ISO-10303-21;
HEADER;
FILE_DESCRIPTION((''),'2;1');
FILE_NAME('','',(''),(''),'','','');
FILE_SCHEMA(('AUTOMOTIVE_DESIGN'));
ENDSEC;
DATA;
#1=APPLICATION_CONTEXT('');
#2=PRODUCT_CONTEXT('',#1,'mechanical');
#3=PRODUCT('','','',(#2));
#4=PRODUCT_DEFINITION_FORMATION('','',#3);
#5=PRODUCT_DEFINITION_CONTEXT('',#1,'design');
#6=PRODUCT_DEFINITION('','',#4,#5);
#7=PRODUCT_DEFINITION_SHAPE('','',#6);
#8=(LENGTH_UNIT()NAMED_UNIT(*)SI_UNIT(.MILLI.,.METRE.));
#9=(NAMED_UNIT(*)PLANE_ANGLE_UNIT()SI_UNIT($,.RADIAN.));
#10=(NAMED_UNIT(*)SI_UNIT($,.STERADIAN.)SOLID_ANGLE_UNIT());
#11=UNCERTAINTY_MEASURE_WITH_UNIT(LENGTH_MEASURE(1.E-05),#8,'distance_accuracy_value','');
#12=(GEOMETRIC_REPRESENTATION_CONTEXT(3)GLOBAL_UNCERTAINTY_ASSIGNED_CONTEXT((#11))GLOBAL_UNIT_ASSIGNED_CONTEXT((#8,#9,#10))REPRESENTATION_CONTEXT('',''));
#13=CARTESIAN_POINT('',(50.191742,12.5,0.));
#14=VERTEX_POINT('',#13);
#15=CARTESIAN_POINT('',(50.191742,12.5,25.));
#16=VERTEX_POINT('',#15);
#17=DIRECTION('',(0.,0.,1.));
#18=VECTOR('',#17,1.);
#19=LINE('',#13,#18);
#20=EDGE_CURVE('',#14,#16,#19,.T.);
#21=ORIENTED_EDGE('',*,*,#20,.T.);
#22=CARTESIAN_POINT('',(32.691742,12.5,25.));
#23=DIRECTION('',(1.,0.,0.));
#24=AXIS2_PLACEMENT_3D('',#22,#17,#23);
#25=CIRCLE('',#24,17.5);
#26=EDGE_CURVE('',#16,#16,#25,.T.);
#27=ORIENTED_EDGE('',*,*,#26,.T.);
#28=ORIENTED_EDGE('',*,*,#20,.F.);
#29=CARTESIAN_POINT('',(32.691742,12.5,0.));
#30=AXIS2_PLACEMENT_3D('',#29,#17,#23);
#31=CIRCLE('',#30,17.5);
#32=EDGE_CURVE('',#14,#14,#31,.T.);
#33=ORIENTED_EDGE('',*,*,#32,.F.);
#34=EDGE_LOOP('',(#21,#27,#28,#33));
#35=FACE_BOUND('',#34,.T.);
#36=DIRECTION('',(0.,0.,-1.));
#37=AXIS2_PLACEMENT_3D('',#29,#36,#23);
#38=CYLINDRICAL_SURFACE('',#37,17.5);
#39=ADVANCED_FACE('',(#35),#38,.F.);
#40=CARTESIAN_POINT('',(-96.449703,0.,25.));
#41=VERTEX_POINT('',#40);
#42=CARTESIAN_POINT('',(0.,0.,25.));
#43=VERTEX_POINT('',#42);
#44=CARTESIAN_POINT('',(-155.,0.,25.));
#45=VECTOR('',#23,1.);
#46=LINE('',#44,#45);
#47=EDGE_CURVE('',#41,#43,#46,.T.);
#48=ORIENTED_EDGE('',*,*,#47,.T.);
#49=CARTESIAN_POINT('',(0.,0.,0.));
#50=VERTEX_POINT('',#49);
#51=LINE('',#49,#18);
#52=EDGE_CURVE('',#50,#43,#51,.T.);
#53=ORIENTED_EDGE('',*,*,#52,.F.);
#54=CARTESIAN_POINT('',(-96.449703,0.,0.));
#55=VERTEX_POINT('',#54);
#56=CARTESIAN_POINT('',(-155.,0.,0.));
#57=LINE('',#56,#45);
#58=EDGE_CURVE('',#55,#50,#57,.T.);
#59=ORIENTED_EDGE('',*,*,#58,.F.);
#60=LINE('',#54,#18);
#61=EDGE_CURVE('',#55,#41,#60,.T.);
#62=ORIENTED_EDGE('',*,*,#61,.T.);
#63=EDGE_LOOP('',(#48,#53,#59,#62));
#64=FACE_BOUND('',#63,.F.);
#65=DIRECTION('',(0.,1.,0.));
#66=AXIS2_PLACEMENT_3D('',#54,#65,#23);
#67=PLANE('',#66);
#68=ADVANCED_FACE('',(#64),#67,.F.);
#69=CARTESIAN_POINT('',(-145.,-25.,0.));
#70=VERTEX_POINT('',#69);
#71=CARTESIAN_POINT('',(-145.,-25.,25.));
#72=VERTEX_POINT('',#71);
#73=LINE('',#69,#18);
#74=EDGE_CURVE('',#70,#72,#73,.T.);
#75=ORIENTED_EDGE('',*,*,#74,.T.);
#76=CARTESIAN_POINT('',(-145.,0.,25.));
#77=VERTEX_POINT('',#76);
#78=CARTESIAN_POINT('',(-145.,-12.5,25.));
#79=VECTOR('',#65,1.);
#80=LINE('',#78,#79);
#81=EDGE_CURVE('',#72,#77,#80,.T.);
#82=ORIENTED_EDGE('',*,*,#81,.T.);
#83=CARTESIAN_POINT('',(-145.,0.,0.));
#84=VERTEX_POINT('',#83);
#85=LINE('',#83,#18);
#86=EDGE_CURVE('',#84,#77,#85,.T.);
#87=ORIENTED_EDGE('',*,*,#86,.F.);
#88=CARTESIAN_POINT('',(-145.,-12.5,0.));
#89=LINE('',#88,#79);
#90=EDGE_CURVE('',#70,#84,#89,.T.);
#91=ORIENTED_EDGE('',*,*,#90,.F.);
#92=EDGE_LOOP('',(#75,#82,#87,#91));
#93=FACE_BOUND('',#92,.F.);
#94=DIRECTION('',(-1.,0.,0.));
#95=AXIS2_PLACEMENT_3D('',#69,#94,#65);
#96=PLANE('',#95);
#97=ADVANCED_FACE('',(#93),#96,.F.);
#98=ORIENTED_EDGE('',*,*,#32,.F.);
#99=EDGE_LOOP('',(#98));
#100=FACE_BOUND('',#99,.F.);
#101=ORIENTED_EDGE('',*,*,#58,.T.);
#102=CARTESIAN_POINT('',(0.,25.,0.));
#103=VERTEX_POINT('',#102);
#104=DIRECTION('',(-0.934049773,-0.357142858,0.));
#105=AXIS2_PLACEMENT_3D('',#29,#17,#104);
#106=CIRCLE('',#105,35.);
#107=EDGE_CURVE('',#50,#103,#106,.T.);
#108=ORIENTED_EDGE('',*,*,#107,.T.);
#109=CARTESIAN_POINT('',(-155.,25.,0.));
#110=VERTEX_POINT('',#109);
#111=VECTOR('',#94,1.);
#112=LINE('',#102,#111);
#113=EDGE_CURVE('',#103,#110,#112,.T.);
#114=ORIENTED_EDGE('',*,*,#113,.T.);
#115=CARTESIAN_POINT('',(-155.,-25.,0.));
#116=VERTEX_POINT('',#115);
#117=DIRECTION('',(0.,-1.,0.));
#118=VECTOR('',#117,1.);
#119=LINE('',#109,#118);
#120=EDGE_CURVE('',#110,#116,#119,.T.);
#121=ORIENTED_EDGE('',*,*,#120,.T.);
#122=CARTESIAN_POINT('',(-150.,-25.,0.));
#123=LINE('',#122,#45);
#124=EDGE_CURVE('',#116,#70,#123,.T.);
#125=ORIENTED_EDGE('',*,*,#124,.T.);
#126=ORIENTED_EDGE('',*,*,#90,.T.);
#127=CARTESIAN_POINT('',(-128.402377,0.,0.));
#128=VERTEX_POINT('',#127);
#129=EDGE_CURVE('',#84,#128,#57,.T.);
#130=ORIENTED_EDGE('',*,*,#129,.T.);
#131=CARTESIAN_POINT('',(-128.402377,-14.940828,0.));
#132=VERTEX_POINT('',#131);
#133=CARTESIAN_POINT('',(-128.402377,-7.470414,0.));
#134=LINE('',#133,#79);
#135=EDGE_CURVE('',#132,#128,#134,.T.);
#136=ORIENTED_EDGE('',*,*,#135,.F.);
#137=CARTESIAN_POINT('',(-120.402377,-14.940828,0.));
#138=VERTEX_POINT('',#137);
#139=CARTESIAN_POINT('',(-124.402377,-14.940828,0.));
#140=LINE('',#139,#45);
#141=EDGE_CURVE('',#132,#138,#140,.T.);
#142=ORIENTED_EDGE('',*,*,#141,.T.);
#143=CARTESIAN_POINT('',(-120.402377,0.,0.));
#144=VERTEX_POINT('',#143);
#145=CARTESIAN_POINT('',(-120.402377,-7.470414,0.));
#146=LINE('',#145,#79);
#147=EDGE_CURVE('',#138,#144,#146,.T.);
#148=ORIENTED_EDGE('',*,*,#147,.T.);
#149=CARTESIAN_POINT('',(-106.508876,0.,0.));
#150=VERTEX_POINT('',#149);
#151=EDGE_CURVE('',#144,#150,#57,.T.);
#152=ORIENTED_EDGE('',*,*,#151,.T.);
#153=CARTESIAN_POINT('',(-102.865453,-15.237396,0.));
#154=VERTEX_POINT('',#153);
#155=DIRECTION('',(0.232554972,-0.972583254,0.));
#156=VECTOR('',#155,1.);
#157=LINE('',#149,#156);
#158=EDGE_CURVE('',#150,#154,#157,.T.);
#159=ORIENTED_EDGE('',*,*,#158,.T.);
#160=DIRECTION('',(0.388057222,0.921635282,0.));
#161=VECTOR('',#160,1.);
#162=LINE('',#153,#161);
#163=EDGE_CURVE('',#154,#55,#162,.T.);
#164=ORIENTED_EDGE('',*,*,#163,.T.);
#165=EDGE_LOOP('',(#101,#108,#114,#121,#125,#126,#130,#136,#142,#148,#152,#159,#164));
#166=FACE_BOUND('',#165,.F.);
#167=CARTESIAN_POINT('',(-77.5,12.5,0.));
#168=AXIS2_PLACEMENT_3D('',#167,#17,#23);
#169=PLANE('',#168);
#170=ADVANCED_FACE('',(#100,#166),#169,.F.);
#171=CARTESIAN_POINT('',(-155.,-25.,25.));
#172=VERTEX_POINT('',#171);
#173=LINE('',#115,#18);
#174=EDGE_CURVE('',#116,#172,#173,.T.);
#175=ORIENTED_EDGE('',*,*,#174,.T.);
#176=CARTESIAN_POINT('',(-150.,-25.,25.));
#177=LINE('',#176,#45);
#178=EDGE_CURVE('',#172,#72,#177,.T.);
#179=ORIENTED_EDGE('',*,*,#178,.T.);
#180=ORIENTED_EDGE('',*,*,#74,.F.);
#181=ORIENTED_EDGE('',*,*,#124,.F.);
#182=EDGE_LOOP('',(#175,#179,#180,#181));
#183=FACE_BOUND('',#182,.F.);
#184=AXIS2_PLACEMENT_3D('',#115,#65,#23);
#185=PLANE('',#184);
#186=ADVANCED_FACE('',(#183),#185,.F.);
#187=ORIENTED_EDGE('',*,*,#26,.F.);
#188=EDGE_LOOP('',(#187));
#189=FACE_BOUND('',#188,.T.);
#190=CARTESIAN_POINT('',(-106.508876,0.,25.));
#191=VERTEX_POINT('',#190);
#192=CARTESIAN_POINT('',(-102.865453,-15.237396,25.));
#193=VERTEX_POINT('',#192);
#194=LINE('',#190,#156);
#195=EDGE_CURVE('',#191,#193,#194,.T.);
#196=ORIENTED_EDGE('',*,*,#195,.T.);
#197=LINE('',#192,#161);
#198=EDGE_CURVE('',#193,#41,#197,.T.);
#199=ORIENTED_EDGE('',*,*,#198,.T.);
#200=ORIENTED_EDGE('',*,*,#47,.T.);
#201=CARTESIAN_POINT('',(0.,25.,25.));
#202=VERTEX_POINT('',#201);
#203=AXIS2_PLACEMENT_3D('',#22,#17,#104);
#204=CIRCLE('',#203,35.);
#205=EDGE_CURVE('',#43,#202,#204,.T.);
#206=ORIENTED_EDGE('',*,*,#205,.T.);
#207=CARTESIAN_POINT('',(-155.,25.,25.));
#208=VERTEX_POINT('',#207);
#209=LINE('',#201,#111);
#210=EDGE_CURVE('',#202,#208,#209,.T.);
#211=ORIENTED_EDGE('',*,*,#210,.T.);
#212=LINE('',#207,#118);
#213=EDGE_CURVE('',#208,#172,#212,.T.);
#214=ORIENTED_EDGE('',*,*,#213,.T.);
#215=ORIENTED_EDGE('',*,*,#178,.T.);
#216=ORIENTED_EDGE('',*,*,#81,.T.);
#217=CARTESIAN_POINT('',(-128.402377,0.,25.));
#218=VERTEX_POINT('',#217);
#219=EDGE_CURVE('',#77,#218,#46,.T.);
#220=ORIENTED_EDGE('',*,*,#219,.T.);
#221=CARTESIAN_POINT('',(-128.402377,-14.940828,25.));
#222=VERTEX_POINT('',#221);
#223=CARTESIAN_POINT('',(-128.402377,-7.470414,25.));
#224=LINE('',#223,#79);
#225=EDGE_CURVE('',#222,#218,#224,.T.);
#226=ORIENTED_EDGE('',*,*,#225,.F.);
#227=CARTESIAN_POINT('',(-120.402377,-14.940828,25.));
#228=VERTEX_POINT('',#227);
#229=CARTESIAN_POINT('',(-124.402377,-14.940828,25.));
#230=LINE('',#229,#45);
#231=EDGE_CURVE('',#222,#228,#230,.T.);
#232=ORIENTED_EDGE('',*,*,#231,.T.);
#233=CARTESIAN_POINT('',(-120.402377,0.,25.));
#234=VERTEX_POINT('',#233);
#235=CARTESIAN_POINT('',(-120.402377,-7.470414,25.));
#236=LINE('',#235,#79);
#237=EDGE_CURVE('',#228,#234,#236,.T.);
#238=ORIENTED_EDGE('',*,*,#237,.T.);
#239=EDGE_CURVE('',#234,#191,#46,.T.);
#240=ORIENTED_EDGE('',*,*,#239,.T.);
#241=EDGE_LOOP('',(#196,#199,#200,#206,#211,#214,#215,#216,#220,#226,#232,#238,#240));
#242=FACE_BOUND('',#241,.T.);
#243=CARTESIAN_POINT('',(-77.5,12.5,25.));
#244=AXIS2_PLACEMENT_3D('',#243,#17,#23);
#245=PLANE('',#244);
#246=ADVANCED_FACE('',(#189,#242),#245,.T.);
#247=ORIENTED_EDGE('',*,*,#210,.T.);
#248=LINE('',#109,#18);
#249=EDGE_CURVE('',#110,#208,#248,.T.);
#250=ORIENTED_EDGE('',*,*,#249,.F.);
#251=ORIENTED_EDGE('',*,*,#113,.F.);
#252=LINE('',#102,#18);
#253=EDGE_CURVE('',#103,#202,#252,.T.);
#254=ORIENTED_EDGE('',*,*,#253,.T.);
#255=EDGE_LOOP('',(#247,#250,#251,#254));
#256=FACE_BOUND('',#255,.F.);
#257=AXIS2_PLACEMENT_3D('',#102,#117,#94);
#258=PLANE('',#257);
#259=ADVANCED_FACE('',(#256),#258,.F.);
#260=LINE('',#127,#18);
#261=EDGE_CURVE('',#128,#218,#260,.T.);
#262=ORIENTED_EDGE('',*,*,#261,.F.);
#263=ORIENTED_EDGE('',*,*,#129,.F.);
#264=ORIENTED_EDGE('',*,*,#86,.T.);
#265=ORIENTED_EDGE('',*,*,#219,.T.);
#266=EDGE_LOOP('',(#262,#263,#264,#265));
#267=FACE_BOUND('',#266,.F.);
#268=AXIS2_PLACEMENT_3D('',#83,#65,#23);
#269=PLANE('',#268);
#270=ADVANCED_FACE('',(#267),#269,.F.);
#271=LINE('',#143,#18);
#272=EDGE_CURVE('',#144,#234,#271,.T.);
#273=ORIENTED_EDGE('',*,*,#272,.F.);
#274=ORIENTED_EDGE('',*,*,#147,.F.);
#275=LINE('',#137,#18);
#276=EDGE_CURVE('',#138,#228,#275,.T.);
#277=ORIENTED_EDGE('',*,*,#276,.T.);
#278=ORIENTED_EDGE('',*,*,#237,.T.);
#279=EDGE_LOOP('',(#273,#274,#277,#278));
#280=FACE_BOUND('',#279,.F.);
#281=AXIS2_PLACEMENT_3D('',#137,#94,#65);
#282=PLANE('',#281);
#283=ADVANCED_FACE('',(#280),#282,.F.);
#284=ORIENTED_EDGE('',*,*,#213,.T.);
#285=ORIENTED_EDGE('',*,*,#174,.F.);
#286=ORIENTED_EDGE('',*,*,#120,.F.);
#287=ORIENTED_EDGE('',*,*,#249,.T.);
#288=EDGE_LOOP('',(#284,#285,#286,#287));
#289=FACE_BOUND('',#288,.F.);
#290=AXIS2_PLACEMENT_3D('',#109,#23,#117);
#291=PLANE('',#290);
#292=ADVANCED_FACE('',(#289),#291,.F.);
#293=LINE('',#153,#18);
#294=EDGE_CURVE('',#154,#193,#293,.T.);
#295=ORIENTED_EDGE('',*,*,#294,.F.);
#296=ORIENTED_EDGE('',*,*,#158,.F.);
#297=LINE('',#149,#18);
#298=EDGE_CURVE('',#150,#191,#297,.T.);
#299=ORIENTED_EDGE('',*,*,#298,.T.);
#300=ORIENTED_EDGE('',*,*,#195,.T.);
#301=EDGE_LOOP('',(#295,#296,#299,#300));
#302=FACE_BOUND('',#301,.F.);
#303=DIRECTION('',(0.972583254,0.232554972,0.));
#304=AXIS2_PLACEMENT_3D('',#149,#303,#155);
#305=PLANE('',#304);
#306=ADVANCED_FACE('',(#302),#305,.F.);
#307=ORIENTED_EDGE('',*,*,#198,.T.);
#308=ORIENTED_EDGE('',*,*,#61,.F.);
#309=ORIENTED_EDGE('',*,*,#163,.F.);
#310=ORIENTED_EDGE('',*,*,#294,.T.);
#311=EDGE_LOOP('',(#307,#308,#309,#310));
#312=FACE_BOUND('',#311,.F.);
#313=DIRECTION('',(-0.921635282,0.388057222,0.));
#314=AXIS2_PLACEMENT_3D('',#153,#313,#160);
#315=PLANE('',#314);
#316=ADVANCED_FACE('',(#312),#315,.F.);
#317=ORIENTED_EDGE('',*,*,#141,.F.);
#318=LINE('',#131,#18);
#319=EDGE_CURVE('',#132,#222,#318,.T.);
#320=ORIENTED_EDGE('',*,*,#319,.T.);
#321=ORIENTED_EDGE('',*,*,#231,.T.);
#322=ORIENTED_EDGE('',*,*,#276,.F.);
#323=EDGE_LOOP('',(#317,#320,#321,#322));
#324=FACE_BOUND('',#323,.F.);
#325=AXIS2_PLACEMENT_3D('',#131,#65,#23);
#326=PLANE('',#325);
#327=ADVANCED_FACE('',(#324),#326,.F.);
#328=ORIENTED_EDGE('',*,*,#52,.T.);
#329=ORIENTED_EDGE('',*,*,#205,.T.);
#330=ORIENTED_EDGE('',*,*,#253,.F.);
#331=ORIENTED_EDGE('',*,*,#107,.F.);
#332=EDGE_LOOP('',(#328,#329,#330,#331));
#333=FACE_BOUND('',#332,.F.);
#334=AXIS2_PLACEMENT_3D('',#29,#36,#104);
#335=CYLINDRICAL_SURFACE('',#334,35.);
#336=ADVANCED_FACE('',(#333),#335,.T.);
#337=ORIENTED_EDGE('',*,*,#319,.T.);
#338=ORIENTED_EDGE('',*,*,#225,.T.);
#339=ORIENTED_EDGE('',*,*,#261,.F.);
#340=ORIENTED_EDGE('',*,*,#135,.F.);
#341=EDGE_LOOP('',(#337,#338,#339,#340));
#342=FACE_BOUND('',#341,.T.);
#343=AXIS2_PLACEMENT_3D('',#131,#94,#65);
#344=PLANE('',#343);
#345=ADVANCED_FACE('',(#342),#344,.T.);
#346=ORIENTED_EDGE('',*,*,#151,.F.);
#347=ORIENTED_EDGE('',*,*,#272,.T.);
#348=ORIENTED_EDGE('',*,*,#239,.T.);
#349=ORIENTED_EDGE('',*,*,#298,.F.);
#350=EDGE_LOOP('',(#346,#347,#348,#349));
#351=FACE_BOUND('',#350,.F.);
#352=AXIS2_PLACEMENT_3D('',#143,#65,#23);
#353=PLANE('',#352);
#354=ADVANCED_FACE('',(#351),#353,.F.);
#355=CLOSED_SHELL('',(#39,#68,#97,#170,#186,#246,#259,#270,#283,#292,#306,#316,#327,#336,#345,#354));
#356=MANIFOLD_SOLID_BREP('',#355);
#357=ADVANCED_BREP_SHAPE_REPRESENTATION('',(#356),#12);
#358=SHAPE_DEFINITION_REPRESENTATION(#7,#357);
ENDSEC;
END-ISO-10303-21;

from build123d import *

# Parameters (mm, degrees)
F0_R     = 17.5
F0_W     = 8
F0_H     = 14.940828
F0_W_2   = 10
F0_H_2   = 25
F1_DEPTH = 25


with BuildPart() as f1:
    # F0 (on Top) → F1 (new body)
    with BuildSketch(Plane.XY):
        Polygon((-96.449703, 0), (0, 0), (0, 25), (-155, 25), (-155, 0), (-145, 0), (-128.402377, 0), (-120.402377, 0), (-106.508876, 0), align=None)
        with BuildLine():
            Line((0, 25), (0, 0))
            ThreePointArc((0, 0), (67.691742, 12.5), (0, 25))
        make_face()
        with Locations((32.691742, 12.5)):
            Circle(F0_R, mode=Mode.SUBTRACT)
        Polygon((-102.865453, -15.237396), (-96.449703, 0), (-106.508876, 0), align=None)
        with Locations((-124.402377, -7.470414)):
            Rectangle(F0_W, F0_H)
        with Locations((-150, -12.5)):
            Rectangle(F0_W_2, F0_H_2)
    extrude(amount=F1_DEPTH)


solid = f1.part
